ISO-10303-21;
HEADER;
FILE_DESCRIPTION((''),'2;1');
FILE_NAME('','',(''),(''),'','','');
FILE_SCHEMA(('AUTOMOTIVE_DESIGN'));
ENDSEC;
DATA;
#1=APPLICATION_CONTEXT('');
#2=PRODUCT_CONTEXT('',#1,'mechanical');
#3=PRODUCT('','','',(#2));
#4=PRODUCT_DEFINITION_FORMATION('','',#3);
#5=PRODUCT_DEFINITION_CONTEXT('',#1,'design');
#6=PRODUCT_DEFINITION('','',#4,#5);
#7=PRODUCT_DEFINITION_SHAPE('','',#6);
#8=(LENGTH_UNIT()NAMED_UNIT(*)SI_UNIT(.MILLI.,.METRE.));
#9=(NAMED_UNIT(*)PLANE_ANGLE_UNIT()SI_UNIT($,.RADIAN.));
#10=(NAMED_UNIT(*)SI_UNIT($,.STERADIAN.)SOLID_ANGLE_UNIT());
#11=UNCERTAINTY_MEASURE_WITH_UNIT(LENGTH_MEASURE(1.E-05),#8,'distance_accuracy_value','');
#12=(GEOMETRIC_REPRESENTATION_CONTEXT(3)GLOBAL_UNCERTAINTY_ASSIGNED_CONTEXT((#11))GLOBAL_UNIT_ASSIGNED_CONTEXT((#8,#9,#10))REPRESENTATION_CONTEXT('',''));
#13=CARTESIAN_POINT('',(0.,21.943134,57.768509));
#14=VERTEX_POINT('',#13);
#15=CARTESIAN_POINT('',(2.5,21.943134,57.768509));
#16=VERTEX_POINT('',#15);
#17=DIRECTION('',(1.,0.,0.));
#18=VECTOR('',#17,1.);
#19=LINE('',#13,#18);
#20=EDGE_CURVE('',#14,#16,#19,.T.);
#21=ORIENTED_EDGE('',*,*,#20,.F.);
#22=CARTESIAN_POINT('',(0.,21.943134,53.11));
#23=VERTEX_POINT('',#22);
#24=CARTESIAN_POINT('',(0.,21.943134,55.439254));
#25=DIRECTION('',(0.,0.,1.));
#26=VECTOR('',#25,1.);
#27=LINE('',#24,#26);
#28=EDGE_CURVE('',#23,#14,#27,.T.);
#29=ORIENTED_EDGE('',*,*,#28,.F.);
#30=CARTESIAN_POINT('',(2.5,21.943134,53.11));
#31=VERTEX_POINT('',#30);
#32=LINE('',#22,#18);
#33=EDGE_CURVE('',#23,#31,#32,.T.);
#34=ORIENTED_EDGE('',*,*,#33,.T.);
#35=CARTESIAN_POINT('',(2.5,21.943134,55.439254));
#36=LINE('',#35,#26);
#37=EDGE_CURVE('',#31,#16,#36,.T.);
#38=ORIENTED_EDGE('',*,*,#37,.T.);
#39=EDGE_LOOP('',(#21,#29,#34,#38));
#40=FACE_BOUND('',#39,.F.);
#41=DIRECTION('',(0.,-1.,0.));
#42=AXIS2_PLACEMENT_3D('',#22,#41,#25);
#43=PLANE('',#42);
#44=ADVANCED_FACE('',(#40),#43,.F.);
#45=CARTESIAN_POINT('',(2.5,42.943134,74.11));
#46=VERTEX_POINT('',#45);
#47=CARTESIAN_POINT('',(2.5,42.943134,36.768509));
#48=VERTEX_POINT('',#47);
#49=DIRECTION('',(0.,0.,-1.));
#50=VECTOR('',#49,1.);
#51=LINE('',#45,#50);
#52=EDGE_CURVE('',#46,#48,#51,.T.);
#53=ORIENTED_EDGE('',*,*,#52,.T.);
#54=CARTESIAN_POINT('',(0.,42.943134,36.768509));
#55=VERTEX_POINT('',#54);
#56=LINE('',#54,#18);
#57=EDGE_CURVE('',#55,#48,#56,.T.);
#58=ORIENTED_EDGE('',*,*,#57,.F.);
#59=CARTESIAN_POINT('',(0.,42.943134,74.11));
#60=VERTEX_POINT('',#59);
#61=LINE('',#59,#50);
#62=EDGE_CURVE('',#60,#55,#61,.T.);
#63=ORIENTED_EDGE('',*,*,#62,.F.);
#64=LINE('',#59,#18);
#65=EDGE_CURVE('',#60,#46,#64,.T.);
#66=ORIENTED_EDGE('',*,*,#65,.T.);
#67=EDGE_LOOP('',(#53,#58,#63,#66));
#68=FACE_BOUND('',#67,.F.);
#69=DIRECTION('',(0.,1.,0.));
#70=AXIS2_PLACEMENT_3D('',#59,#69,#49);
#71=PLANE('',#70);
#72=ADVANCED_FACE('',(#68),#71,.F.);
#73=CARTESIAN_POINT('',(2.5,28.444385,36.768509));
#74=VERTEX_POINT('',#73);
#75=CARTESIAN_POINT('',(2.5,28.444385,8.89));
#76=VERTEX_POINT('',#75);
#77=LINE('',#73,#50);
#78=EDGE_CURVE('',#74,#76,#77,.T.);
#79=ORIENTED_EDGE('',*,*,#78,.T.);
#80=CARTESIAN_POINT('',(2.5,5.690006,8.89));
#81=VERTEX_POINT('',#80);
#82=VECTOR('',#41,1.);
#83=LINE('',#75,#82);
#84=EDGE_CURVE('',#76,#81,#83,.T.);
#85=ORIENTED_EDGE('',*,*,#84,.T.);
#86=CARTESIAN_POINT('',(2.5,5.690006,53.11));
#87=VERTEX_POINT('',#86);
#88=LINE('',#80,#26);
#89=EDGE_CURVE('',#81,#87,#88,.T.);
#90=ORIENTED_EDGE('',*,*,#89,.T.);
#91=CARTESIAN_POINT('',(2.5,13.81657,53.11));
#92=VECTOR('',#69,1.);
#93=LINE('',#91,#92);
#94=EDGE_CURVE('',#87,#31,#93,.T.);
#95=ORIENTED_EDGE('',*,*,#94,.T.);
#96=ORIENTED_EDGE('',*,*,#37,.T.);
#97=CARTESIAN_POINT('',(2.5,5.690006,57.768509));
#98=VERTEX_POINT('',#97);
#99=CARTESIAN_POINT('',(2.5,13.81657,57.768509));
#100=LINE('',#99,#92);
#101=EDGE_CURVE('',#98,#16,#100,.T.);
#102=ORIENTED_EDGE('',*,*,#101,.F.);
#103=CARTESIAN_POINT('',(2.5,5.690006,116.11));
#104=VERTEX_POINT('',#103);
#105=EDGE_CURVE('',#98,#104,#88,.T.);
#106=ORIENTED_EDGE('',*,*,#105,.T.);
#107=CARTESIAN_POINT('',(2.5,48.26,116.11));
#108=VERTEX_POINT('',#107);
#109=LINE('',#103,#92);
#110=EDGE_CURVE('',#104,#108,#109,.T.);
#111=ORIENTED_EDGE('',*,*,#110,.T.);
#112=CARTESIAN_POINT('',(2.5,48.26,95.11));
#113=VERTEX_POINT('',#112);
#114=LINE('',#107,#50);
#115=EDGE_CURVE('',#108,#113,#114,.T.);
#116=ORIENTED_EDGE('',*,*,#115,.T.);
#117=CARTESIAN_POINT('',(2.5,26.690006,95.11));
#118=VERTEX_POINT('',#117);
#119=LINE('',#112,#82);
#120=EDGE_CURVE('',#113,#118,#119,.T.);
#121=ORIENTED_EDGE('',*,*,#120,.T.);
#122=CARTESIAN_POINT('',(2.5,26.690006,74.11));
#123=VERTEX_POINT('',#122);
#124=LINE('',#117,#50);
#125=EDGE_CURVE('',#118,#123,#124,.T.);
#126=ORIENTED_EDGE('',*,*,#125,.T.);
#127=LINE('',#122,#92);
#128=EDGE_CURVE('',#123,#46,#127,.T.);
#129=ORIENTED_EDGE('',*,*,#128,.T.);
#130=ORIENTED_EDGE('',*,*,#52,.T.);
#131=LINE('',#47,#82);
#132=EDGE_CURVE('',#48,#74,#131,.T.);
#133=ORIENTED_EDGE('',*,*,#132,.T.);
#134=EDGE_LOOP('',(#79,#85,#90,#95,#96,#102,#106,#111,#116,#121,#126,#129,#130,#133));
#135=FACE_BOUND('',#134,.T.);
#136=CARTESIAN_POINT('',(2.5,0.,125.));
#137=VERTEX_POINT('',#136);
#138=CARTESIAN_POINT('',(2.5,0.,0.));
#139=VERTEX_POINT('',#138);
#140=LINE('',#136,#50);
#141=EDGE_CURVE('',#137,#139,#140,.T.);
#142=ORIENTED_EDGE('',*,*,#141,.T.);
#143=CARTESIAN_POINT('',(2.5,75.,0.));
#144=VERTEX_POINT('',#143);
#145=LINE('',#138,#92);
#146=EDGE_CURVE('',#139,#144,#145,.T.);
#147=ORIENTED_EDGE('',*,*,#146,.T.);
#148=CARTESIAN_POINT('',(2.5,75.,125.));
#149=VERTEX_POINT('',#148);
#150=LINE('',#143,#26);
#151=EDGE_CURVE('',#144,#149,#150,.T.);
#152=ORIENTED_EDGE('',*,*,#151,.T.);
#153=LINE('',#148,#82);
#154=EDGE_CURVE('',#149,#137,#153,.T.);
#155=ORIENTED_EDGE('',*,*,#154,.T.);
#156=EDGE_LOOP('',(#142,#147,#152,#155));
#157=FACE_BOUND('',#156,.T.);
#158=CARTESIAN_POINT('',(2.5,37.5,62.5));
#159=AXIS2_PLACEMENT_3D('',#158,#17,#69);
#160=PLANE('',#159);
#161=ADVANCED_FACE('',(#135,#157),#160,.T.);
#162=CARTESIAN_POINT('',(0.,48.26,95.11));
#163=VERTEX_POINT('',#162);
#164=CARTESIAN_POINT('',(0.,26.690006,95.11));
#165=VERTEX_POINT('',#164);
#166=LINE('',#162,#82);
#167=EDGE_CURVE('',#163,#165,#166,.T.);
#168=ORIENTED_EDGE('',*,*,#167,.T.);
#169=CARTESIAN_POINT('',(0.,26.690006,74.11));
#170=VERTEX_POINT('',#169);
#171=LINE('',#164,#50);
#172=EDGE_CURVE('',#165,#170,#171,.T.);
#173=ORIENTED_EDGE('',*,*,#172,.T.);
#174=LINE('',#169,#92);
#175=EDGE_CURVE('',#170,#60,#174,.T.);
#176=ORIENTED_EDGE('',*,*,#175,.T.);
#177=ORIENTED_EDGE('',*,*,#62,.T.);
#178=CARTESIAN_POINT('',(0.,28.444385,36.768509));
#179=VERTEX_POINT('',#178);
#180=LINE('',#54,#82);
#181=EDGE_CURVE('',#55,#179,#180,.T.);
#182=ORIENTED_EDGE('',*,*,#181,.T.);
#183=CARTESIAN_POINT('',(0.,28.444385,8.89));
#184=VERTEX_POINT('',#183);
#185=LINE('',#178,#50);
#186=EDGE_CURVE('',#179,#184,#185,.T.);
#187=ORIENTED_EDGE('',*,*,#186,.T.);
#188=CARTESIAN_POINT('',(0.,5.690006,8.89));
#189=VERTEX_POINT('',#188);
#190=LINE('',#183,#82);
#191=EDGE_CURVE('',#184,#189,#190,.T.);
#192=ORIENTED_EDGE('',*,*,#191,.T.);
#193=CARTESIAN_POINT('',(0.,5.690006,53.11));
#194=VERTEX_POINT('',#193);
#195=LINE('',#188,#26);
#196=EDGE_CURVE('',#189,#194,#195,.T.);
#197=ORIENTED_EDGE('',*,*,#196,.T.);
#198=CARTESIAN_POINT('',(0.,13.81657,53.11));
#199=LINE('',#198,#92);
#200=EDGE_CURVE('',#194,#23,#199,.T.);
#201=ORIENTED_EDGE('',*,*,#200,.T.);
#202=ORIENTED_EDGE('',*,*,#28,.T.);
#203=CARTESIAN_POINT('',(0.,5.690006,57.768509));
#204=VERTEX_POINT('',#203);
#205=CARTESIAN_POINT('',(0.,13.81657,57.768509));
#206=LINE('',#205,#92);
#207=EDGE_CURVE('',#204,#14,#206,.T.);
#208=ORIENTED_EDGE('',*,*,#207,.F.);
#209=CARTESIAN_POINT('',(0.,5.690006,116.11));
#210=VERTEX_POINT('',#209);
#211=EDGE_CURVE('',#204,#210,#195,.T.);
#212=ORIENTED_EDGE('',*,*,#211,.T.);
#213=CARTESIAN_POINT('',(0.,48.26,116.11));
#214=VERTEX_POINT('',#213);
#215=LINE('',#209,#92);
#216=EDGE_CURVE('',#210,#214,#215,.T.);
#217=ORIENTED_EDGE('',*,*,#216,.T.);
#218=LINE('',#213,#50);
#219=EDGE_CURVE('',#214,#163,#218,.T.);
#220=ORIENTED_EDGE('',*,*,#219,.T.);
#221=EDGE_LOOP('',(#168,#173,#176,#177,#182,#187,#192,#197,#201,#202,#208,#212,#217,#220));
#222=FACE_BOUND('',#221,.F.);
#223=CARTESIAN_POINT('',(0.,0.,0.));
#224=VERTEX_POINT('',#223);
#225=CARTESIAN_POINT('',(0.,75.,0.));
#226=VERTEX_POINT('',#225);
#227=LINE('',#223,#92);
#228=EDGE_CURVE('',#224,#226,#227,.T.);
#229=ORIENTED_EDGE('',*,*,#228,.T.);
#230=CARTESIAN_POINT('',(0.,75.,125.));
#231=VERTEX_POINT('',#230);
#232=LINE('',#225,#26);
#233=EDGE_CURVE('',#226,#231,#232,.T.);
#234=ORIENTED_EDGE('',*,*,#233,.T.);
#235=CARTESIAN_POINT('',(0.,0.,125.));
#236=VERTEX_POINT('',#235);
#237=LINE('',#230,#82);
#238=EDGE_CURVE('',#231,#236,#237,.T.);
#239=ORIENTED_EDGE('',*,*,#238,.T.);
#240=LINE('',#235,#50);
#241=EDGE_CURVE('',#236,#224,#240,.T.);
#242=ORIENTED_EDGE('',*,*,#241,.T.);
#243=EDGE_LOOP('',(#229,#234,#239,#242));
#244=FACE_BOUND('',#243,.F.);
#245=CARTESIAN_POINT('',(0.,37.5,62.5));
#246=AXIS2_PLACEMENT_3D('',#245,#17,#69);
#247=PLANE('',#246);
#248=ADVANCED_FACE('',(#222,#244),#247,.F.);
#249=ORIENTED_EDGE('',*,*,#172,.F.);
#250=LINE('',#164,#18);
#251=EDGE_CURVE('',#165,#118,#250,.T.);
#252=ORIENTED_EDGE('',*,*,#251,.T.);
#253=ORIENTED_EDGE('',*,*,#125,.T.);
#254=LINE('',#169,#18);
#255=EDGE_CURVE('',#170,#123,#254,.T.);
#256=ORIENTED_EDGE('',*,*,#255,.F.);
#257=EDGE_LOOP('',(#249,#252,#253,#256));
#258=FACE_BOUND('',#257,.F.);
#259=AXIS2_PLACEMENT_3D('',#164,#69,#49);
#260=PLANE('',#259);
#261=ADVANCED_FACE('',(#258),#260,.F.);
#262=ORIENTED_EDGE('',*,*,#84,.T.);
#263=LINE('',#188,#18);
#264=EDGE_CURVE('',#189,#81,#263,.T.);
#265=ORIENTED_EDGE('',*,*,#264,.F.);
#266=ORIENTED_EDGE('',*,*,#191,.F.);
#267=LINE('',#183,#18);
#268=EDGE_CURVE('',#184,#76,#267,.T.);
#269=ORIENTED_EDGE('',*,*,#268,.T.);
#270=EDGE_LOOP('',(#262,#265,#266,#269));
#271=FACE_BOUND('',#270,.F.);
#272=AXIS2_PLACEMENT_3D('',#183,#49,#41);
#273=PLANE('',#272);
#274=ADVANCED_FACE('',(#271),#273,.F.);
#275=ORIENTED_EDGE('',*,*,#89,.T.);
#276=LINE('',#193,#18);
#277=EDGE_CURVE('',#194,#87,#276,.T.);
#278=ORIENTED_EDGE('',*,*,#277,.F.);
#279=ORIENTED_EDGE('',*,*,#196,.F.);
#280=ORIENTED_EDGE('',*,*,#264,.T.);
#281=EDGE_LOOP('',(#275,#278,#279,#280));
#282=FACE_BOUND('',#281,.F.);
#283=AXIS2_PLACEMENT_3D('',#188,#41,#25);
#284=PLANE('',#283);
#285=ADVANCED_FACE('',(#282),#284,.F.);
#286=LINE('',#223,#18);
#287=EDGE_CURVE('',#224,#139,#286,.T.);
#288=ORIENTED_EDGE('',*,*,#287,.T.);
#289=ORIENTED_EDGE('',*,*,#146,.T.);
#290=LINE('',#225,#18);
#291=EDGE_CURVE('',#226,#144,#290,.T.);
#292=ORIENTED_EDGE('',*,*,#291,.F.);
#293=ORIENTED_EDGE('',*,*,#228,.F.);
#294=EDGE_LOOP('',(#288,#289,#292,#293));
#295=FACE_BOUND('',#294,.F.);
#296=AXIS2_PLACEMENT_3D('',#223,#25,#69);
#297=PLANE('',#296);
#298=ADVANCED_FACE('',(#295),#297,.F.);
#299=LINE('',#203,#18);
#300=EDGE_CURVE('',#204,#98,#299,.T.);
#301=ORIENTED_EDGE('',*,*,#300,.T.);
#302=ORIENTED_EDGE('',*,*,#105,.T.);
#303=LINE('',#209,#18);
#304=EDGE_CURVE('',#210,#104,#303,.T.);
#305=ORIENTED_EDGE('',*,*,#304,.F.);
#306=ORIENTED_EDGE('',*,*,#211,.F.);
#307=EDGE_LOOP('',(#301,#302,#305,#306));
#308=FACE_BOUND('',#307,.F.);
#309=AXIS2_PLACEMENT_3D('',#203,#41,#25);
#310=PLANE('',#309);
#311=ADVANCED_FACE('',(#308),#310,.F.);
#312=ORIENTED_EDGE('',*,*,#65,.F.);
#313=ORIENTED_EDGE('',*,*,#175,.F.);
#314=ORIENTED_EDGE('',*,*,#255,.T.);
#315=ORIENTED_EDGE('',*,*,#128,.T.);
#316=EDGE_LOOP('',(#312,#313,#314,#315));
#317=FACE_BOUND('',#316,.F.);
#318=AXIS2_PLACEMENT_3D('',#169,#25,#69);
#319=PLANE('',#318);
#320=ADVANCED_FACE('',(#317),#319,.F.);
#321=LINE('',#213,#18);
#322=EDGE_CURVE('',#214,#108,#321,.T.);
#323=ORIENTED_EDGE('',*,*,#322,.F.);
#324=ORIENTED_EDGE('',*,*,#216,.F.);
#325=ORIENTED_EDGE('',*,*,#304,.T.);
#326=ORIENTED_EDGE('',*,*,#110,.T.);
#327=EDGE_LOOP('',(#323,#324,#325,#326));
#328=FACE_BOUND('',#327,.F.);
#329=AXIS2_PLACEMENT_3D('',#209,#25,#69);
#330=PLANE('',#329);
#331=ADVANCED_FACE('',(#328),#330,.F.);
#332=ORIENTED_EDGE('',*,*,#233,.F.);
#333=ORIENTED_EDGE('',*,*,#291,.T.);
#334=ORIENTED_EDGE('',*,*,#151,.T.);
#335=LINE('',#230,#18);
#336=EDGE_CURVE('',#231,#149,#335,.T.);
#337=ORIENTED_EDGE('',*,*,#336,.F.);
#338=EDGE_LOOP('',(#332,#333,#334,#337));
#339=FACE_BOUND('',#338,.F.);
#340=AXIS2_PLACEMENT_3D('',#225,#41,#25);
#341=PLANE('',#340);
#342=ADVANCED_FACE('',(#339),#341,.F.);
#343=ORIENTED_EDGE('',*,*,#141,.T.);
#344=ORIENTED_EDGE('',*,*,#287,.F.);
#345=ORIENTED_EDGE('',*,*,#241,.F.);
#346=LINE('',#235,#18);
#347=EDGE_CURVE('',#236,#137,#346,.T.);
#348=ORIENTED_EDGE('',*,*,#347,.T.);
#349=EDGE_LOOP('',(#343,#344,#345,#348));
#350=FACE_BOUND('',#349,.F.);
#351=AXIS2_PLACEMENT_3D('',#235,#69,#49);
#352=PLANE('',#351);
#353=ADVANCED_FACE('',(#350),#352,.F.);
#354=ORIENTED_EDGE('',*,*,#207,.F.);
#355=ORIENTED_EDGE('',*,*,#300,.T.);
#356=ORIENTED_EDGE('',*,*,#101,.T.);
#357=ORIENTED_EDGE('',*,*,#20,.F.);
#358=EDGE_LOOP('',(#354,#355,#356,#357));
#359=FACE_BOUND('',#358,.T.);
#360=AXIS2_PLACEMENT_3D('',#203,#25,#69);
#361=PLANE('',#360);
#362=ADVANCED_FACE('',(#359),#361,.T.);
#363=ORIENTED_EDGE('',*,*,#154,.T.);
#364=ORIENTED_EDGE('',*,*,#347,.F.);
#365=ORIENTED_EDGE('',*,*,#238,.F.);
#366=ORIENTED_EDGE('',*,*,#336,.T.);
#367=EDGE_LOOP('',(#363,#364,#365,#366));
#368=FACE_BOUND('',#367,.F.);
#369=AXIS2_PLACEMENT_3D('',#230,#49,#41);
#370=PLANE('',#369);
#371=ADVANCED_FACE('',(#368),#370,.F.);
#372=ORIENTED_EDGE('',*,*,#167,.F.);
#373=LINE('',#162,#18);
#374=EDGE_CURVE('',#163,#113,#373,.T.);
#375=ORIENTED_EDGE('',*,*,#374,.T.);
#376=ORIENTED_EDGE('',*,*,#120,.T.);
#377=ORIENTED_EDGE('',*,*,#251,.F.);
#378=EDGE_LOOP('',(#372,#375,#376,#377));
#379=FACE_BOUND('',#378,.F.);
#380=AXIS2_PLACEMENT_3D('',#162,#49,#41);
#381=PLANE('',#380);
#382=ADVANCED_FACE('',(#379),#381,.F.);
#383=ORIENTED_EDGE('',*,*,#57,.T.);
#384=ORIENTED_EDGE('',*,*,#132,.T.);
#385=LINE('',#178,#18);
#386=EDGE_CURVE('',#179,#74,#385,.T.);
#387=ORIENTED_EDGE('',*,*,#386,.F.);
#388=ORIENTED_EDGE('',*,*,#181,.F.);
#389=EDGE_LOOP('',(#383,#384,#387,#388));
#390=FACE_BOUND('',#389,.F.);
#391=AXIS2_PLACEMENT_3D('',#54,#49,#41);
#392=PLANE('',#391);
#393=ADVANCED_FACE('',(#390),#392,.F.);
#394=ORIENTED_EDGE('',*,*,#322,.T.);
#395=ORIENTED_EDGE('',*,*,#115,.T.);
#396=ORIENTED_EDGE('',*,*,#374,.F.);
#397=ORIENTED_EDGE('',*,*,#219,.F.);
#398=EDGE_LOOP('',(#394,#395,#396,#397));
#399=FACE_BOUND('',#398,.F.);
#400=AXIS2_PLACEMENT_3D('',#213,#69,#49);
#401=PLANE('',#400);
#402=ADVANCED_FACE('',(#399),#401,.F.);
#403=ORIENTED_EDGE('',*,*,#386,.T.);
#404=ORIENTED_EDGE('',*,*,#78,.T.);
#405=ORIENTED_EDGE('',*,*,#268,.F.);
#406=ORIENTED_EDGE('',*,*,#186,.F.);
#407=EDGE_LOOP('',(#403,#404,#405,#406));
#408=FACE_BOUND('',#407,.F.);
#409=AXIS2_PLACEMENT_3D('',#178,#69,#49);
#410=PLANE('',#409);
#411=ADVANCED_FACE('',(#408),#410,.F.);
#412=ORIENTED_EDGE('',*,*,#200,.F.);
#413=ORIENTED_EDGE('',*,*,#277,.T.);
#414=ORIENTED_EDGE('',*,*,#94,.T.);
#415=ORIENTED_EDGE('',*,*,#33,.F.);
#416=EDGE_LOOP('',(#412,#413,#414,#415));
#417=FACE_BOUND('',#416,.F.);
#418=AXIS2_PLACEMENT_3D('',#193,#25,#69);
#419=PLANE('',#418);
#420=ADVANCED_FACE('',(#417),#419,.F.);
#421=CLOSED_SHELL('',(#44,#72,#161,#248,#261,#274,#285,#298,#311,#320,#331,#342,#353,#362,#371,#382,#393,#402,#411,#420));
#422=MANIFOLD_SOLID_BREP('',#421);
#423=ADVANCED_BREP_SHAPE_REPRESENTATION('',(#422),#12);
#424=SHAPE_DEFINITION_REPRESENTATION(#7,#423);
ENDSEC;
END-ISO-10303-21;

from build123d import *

# Parameters (mm, degrees)
F0_W     = 16.253128
F0_H     = 4.658509
F1_DEPTH = 2.5


with BuildPart() as f1:
    # F0 (on Right) → F1 (new body)
    with BuildSketch(Plane.YZ):
        Polygon((0, 125), (0, 0), (75, 0), (75, 125), (71.19, 125), (50.19, 125), (49.408, 125), (44.505585, 125), align=None)
        Polygon((50.19, 121.19), (71.19, 121.19), (71.19, 3.81), (3.81, 3.81), (3.81, 121.19), (44.505585, 121.19), (49.408, 121.19), align=None, mode=Mode.SUBTRACT)
        Polygon((71.19, 3.81), (71.19, 121.19), (50.19, 121.19), (49.408, 121.19), (44.505585, 121.19), (3.81, 121.19), (3.81, 3.81), align=None)
        Polygon((5.690006, 116.11), (48.26, 116.11), (48.26, 95.11), (26.690006, 95.11), (26.690006, 74.11), (42.943134, 74.11), (42.943134, 36.768509), (28.444385, 36.768509), (28.444385, 8.89), (5.690006, 8.89), (5.690006, 53.11), (5.690006, 57.768509), align=None, mode=Mode.SUBTRACT)
        with Locations((13.81657, 55.439254)):
            Rectangle(F0_W, F0_H)
    extrude(amount=F1_DEPTH)


solid = f1.part
